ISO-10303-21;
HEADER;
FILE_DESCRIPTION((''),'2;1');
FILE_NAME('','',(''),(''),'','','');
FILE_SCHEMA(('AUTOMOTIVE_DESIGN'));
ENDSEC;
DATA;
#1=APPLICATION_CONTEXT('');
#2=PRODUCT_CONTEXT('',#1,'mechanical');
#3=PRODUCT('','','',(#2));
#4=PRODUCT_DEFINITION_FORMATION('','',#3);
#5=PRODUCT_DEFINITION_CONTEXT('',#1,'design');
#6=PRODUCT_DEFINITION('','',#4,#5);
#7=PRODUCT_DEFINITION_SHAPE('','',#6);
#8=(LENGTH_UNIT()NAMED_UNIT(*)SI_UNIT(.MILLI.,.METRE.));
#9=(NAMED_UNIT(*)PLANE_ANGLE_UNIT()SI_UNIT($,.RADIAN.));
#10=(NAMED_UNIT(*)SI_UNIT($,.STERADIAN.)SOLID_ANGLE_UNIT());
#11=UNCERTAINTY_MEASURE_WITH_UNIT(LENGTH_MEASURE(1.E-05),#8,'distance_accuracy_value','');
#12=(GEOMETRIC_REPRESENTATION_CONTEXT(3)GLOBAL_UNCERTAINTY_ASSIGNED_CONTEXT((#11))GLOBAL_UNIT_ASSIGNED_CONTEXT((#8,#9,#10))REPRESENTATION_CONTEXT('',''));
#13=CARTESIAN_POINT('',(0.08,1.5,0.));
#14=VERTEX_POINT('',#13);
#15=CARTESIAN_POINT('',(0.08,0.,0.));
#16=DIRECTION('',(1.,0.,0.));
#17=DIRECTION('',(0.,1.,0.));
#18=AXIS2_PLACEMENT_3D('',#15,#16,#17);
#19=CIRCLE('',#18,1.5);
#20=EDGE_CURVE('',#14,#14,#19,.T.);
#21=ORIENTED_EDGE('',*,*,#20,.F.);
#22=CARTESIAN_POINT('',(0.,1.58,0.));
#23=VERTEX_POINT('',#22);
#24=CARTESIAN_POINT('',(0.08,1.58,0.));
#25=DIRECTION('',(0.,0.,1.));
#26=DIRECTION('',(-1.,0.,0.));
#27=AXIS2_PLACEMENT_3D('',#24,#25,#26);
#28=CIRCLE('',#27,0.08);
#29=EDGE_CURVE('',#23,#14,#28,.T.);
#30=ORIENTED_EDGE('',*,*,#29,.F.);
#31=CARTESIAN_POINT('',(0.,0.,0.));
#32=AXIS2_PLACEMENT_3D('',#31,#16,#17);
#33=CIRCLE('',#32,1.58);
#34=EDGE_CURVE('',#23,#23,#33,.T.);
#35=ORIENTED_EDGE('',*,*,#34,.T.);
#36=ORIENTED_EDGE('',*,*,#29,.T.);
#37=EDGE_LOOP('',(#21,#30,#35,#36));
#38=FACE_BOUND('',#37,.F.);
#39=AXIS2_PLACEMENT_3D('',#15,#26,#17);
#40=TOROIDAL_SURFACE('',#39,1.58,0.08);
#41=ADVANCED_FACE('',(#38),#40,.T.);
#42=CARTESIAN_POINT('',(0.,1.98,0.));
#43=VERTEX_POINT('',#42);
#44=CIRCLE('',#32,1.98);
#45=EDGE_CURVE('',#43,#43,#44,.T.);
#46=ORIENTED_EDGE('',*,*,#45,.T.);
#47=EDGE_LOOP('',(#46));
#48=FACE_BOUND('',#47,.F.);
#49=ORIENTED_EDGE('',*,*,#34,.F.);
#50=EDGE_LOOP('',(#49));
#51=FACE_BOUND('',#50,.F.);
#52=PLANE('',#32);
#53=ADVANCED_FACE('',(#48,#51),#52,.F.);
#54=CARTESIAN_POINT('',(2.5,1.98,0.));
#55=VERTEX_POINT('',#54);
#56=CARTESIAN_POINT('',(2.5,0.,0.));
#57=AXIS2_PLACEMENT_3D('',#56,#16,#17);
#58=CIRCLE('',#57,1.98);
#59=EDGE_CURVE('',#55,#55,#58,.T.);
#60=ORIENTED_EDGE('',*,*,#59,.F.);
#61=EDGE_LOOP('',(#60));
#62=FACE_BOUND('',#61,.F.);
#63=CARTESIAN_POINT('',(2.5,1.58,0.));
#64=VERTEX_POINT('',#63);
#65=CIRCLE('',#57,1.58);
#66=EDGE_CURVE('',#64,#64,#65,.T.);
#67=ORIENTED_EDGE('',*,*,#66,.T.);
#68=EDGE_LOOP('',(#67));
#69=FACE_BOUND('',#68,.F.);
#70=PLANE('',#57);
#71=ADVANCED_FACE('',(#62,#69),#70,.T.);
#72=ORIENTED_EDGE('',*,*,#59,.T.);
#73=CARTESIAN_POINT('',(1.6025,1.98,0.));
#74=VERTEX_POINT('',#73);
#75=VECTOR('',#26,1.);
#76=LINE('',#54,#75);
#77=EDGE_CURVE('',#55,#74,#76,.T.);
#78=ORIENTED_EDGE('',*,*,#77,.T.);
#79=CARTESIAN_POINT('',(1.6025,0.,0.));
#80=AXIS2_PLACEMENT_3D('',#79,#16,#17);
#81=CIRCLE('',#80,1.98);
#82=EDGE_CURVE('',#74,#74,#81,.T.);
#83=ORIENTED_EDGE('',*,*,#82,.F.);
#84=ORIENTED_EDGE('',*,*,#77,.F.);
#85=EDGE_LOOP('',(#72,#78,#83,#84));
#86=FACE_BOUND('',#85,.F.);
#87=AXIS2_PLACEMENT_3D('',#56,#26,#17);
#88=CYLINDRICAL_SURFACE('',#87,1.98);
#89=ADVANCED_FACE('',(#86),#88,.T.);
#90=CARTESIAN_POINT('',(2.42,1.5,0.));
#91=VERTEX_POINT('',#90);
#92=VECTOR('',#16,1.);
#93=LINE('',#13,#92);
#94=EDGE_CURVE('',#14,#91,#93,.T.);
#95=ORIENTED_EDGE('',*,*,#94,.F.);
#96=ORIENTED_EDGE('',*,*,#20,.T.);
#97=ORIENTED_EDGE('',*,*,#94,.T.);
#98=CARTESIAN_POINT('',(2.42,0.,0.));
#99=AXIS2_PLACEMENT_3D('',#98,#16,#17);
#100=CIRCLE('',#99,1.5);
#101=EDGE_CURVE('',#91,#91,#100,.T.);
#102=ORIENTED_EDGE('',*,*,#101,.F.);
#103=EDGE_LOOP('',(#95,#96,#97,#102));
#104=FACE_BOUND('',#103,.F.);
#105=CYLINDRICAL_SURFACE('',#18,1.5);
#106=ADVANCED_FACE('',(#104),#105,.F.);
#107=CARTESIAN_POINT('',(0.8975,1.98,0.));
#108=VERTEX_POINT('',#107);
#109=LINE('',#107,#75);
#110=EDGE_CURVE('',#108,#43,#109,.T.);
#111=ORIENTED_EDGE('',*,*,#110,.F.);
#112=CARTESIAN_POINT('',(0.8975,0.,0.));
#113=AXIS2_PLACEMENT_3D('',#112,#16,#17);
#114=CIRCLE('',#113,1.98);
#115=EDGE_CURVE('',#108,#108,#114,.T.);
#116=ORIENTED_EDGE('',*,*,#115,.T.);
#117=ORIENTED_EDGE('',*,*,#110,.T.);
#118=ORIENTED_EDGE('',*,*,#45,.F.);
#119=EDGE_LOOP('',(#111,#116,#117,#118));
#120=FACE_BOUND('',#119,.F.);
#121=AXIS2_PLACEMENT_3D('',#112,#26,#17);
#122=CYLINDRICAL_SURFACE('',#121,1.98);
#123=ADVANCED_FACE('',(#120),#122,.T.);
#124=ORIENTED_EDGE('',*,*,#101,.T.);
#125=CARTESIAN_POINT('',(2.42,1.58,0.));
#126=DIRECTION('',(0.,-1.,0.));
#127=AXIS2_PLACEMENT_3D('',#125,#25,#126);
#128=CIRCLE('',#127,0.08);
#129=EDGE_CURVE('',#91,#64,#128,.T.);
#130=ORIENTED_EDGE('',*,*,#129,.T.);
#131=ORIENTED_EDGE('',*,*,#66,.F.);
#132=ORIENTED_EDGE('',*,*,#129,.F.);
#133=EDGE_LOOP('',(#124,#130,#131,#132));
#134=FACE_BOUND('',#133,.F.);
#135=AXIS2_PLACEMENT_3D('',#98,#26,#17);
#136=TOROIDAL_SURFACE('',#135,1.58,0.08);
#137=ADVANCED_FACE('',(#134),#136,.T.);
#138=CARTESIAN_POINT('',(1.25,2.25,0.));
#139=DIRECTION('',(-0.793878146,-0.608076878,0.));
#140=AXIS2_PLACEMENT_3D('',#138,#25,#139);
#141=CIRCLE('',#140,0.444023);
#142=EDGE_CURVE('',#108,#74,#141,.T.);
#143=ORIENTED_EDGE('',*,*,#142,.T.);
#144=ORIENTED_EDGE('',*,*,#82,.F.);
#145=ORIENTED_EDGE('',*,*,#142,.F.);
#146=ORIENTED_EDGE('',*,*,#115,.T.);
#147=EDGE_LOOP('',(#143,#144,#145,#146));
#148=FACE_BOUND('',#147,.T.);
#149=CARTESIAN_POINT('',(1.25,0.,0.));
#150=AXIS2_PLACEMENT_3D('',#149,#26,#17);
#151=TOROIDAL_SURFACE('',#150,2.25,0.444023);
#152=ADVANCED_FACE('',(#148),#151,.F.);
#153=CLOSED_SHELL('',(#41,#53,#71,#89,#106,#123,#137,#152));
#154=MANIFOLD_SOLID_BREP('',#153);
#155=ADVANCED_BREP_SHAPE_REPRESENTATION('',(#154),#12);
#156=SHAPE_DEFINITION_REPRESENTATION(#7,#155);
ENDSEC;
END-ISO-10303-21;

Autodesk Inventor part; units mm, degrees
sketch "Sketch_2" plane through (0, 0, 0) normal (0, 0, 1) x (1, 0, 0)
  line L0 (2.5, 0) -> (0, 0)
  arc A0 (0, 1.58) -> (0.08, 1.5) centre (0.08, 1.58) ccw
  line L1 (0.08, 1.5) -> (2.42, 1.5)
  arc A1 (2.42, 1.5) -> (2.5, 1.58) centre (2.42, 1.58) ccw
  line L2 (2.5, 1.58) -> (2.5, 1.98)
  line L3 (2.5, 1.98) -> (1.6025, 1.98)
  arc A2 (0.8975, 1.98) -> (1.6025, 1.98) centre (1.25, 2.25) ccw
  line L4 (0.8975, 1.98) -> (0, 1.98)
  line L5 (0, 1.98) -> (0, 1.58)
revolve "Revolution1" add sketch "Sketch_2" angle 360 about axis through (2.5, 0, 0) along (1, 0, 0)
ref_plane "mss_ir_XY" through (0, 0, 0) normal (1, 0, 0) x (0, 0, -1)
ref_plane "mss_ir_YZ" through (0, 0, 0) normal (0, 0, -1) x (0, 1, 0)
ref_plane "mss_ir_ZX" through (0, 0, 0) normal (0, 1, 0) x (1, 0, 0)
properties part number "WA673SA Inner ring"
